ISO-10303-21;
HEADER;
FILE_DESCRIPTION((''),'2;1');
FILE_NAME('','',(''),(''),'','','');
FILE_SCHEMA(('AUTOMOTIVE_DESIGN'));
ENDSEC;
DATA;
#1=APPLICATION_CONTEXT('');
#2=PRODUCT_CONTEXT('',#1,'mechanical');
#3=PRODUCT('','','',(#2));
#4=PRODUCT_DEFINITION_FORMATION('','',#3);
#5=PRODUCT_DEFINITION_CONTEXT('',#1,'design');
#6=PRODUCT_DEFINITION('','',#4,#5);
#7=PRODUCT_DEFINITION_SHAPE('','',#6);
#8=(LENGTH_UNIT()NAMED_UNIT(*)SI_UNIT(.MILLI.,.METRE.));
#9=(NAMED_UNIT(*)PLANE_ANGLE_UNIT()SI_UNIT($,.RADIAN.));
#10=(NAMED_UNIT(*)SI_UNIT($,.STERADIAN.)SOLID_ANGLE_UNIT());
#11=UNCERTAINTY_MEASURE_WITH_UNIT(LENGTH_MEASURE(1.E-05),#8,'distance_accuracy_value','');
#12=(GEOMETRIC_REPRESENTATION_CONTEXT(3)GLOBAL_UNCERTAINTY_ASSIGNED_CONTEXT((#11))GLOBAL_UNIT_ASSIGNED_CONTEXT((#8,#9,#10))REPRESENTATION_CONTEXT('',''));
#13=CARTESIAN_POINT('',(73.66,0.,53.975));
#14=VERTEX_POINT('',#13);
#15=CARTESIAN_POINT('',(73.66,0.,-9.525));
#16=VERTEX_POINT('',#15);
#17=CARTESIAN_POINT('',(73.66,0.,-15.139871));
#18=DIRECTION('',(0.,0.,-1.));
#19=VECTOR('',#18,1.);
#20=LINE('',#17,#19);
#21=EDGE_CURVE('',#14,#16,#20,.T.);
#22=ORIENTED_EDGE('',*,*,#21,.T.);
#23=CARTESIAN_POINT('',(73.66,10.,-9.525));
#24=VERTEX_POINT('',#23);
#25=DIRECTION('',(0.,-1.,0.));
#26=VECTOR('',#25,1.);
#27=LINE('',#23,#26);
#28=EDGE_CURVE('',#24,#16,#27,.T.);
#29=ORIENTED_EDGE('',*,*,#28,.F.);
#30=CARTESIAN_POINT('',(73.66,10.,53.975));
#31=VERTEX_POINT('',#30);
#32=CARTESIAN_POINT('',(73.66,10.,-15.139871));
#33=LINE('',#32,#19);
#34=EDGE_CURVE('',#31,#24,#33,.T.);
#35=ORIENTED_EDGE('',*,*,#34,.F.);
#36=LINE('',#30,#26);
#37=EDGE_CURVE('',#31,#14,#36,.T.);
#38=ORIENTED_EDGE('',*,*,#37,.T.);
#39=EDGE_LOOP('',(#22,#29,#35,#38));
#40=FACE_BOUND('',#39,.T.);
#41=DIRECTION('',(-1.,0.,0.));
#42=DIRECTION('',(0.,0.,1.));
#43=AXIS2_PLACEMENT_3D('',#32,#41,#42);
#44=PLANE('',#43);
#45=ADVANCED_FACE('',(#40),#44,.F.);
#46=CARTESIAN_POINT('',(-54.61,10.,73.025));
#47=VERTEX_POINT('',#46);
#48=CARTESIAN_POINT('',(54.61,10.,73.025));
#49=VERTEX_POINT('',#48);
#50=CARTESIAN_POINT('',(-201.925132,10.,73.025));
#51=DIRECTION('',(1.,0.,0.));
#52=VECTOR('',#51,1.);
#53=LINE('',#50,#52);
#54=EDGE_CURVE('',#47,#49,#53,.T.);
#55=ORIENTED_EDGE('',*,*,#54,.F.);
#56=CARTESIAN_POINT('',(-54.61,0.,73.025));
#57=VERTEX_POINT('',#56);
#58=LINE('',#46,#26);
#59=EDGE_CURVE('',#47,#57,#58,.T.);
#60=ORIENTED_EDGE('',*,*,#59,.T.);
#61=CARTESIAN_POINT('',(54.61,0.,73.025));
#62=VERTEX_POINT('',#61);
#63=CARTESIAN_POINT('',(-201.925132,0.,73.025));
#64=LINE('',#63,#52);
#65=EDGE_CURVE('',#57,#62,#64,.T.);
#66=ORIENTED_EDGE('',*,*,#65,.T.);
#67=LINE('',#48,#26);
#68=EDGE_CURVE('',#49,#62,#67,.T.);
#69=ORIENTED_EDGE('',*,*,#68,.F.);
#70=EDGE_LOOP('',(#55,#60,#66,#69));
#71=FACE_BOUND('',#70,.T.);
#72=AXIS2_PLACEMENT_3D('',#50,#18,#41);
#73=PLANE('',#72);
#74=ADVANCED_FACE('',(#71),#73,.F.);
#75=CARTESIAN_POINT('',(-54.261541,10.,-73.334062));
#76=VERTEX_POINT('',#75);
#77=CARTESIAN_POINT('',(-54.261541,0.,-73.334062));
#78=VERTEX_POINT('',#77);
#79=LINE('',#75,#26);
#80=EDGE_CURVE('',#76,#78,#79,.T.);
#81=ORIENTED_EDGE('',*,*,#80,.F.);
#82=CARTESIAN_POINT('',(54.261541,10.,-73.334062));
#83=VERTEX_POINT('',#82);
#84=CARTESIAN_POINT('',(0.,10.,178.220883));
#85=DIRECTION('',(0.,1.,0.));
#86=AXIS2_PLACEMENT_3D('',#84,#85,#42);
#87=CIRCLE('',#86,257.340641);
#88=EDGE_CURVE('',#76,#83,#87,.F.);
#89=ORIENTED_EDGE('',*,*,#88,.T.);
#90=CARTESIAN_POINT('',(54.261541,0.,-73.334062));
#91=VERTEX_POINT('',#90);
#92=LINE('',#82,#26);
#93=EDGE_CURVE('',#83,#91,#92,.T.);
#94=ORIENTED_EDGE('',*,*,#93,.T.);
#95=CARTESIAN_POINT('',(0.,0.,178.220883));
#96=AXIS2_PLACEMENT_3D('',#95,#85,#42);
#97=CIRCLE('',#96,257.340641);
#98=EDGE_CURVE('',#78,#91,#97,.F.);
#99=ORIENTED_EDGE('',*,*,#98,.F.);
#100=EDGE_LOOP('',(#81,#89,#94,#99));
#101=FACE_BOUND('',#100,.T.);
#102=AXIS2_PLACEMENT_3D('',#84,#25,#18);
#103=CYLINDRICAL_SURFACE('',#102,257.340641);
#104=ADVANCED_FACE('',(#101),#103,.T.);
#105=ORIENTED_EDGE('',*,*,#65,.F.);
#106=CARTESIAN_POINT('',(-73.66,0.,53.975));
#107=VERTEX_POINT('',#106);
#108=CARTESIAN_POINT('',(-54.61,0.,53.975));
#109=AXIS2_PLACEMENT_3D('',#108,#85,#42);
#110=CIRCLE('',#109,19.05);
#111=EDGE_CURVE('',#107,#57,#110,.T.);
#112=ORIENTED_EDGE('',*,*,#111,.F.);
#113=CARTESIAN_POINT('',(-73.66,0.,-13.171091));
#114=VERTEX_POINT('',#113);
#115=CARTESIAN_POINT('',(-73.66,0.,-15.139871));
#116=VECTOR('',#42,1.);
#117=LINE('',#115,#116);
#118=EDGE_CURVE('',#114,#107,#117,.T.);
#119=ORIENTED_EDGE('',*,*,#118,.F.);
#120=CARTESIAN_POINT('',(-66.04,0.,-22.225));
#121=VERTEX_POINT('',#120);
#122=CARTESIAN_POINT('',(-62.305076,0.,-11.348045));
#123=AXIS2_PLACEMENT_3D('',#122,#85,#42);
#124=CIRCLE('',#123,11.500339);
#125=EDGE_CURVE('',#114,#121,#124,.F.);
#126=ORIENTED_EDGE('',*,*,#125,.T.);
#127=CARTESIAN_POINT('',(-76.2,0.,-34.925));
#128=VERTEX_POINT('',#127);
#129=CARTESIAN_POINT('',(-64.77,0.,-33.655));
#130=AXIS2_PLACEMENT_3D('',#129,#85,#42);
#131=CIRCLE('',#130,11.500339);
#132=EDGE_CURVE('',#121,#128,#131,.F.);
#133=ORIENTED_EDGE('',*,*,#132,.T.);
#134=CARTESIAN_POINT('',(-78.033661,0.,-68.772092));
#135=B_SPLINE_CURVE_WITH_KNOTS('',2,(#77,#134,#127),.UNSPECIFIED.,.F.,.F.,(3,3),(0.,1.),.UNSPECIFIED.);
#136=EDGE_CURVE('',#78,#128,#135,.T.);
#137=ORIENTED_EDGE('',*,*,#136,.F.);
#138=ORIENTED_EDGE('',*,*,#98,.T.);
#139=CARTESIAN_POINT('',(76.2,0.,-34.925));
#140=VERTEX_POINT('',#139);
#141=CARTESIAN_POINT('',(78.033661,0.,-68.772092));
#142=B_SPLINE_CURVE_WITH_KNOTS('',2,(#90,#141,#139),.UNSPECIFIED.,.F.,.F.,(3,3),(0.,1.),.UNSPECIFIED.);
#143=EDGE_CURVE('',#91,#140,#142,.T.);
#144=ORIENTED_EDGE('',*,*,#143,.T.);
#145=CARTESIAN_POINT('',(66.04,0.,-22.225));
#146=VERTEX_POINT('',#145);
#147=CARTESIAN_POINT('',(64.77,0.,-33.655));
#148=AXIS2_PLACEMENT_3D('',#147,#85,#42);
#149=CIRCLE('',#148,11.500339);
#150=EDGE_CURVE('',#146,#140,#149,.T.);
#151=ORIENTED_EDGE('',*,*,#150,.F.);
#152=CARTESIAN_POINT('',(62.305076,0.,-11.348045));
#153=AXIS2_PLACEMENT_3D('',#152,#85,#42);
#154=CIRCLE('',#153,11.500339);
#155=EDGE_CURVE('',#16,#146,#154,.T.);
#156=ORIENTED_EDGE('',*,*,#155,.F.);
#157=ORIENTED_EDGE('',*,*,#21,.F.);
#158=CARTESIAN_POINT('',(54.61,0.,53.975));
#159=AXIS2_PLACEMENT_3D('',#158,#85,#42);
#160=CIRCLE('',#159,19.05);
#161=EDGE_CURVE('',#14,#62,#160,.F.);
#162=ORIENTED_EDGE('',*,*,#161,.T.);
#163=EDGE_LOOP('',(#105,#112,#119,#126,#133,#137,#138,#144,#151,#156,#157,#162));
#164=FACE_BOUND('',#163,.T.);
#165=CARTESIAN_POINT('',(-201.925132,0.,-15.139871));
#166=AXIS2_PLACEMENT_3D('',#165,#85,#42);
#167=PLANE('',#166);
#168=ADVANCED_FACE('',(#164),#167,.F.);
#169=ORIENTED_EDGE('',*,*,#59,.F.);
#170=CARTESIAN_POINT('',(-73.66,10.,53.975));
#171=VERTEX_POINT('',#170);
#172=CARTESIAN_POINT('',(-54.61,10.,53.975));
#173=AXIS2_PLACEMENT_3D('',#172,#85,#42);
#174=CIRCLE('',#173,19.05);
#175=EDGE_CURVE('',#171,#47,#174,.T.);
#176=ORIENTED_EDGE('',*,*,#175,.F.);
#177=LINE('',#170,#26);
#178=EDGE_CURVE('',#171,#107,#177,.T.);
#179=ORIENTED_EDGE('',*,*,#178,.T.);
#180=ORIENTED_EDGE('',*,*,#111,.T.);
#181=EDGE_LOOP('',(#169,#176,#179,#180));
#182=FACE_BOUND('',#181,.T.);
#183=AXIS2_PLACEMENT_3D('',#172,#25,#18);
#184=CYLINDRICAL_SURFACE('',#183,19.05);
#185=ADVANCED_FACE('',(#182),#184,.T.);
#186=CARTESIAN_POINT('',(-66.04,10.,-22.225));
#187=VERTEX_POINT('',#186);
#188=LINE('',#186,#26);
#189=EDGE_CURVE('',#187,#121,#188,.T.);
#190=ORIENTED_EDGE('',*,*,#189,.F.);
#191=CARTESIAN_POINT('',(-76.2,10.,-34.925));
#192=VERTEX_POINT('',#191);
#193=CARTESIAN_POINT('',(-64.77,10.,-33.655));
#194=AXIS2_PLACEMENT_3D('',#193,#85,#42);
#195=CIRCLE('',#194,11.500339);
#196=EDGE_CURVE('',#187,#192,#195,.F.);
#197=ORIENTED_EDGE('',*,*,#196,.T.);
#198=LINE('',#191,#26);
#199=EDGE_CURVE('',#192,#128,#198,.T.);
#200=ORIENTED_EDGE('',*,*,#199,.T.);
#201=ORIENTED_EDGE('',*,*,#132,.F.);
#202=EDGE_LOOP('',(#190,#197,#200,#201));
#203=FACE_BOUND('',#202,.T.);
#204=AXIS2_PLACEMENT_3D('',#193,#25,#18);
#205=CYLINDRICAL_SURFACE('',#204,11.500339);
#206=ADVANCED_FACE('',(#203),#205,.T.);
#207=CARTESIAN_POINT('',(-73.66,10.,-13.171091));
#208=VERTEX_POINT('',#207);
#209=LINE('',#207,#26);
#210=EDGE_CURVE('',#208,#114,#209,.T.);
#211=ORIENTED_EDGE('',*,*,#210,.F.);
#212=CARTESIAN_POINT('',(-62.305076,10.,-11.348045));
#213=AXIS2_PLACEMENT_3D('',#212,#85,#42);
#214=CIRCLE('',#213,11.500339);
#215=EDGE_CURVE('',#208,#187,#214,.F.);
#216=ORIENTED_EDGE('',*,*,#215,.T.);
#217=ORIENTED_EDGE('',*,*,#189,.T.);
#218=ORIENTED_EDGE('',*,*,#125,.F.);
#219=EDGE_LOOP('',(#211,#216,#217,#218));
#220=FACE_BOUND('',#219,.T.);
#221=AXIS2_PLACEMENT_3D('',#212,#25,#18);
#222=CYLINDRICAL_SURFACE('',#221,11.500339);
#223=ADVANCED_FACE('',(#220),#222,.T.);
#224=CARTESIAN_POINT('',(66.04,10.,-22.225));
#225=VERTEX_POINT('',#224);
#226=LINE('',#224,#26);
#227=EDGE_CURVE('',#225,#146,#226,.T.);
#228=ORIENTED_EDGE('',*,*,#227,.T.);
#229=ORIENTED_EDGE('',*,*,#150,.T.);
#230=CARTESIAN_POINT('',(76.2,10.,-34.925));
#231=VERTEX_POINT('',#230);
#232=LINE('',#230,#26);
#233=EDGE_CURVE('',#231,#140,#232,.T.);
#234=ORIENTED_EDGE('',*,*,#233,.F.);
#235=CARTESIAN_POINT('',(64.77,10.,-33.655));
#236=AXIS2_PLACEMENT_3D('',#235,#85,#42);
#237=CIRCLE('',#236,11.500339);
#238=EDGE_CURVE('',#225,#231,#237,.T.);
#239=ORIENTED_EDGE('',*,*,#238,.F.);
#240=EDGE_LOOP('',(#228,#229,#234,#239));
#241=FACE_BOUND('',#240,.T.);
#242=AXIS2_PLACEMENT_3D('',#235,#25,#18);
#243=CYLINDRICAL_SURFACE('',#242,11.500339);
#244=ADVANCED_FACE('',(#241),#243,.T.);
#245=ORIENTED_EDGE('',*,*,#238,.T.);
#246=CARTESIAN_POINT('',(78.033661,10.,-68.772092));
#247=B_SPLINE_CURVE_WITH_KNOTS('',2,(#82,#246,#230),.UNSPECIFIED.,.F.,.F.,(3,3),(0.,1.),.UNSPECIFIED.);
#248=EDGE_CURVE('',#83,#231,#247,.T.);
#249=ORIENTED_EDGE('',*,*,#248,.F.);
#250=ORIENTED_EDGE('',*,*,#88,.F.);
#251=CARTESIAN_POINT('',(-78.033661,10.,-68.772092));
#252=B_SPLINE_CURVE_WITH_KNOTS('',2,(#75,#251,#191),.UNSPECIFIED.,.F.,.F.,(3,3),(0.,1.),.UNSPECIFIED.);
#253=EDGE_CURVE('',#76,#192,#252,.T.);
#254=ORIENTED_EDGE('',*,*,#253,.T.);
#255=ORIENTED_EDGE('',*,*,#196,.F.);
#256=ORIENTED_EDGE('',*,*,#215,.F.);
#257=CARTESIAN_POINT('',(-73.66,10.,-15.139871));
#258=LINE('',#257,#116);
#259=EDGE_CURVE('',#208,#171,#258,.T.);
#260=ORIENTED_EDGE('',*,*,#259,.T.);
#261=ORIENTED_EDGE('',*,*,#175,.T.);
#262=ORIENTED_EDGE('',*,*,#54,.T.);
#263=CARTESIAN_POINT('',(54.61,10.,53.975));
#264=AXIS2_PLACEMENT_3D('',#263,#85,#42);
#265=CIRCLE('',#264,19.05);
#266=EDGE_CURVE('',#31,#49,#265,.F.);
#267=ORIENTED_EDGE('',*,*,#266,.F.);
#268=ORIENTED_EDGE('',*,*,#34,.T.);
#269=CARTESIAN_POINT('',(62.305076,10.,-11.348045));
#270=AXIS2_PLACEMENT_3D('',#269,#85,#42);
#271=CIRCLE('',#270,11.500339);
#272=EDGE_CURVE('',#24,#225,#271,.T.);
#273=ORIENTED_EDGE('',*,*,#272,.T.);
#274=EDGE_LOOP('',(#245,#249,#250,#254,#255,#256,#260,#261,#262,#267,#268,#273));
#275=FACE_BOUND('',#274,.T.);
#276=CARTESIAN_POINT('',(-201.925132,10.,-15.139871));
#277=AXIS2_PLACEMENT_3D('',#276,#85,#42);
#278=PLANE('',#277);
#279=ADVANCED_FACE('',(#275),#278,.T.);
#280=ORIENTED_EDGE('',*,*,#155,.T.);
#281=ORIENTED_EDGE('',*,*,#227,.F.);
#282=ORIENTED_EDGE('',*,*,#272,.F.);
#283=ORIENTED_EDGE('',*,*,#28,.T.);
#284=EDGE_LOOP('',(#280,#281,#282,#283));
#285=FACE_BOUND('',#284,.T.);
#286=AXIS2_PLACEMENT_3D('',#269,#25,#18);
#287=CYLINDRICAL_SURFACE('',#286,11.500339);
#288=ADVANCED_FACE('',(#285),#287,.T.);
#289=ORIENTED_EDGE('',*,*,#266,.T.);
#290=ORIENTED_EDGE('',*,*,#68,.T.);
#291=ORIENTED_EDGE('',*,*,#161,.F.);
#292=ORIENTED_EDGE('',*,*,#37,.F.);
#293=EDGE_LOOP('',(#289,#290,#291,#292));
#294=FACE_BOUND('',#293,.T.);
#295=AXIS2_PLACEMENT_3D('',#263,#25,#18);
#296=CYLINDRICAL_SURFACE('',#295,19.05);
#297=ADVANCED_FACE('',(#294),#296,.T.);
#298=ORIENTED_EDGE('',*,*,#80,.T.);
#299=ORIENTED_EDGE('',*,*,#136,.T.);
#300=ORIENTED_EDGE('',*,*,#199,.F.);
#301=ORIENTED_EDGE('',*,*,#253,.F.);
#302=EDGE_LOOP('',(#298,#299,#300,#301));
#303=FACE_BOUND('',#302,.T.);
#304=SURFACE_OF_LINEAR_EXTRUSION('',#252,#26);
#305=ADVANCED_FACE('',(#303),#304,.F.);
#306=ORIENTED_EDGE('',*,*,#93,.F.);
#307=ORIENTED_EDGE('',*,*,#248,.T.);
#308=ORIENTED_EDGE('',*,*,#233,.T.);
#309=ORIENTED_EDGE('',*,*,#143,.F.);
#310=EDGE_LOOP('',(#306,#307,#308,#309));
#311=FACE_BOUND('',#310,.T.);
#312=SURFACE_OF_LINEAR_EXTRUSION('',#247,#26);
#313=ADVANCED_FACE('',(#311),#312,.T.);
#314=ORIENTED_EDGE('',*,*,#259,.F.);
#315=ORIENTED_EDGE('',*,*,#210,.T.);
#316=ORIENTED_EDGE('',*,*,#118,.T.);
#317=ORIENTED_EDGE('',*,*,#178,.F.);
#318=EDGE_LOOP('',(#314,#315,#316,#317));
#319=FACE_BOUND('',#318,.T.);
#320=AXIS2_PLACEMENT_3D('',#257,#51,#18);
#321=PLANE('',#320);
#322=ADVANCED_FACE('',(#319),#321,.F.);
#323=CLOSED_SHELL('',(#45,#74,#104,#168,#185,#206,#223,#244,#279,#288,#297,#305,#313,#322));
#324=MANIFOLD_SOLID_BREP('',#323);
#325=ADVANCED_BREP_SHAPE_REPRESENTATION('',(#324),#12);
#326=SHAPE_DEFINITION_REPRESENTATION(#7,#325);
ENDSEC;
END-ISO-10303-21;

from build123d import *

# Parameters (mm, degrees)
BOSS_EXTRUDE1_DEPTH = 10


with BuildPart() as part:
    # Sketch2 → Boss-Extrude1 (new body)
    with BuildSketch(Plane(origin=(0, 0, 0), x_dir=(1, 0, 0), z_dir=(0, 1, 0))):
        with BuildLine():
            ThreePointArc((-76.2, 34.925), (-73.750256121, 26.470795103), (-66.04, 22.225))
            ThreePointArc((-66.04, 22.225), (-71.103893825, 18.75335434), (-73.66, 13.171090867))
            Line((-73.66, 13.171090867), (-73.66, -53.975))
            ThreePointArc((-73.66, -53.975), (-68.080384182, -67.445384182), (-54.61, -73.025))
            Line((-54.61, -73.025), (54.61, -73.025))
            ThreePointArc((54.61, -73.025), (68.080384182, -67.445384182), (73.66, -53.975))
            Line((73.66, -53.975), (73.66, 9.525))
            ThreePointArc((73.66, 9.525), (72.166535166, 17.2649211), (66.04, 22.225))
            ThreePointArc((66.04, 22.225), (73.750256121, 26.470795103), (76.2, 34.925))
            add(Edge.make_bspline(
                [(54.26154132, 73.334062346), (78.033661383, 68.772092229), (76.2, 34.925)],
                knots=[0, 0, 0, 1, 1, 1], degree=2))
            ThreePointArc((54.26154132, 73.334062346), (0, 79.119757765), (-54.26154132, 73.334062346))
            add(Edge.make_bspline(
                [(-54.26154132, 73.334062346), (-78.033661383, 68.772092229), (-76.2, 34.925)],
                knots=[0, 0, 0, 1, 1, 1], degree=2))
        make_face()
    extrude(amount=BOSS_EXTRUDE1_DEPTH)


solid = part.part
